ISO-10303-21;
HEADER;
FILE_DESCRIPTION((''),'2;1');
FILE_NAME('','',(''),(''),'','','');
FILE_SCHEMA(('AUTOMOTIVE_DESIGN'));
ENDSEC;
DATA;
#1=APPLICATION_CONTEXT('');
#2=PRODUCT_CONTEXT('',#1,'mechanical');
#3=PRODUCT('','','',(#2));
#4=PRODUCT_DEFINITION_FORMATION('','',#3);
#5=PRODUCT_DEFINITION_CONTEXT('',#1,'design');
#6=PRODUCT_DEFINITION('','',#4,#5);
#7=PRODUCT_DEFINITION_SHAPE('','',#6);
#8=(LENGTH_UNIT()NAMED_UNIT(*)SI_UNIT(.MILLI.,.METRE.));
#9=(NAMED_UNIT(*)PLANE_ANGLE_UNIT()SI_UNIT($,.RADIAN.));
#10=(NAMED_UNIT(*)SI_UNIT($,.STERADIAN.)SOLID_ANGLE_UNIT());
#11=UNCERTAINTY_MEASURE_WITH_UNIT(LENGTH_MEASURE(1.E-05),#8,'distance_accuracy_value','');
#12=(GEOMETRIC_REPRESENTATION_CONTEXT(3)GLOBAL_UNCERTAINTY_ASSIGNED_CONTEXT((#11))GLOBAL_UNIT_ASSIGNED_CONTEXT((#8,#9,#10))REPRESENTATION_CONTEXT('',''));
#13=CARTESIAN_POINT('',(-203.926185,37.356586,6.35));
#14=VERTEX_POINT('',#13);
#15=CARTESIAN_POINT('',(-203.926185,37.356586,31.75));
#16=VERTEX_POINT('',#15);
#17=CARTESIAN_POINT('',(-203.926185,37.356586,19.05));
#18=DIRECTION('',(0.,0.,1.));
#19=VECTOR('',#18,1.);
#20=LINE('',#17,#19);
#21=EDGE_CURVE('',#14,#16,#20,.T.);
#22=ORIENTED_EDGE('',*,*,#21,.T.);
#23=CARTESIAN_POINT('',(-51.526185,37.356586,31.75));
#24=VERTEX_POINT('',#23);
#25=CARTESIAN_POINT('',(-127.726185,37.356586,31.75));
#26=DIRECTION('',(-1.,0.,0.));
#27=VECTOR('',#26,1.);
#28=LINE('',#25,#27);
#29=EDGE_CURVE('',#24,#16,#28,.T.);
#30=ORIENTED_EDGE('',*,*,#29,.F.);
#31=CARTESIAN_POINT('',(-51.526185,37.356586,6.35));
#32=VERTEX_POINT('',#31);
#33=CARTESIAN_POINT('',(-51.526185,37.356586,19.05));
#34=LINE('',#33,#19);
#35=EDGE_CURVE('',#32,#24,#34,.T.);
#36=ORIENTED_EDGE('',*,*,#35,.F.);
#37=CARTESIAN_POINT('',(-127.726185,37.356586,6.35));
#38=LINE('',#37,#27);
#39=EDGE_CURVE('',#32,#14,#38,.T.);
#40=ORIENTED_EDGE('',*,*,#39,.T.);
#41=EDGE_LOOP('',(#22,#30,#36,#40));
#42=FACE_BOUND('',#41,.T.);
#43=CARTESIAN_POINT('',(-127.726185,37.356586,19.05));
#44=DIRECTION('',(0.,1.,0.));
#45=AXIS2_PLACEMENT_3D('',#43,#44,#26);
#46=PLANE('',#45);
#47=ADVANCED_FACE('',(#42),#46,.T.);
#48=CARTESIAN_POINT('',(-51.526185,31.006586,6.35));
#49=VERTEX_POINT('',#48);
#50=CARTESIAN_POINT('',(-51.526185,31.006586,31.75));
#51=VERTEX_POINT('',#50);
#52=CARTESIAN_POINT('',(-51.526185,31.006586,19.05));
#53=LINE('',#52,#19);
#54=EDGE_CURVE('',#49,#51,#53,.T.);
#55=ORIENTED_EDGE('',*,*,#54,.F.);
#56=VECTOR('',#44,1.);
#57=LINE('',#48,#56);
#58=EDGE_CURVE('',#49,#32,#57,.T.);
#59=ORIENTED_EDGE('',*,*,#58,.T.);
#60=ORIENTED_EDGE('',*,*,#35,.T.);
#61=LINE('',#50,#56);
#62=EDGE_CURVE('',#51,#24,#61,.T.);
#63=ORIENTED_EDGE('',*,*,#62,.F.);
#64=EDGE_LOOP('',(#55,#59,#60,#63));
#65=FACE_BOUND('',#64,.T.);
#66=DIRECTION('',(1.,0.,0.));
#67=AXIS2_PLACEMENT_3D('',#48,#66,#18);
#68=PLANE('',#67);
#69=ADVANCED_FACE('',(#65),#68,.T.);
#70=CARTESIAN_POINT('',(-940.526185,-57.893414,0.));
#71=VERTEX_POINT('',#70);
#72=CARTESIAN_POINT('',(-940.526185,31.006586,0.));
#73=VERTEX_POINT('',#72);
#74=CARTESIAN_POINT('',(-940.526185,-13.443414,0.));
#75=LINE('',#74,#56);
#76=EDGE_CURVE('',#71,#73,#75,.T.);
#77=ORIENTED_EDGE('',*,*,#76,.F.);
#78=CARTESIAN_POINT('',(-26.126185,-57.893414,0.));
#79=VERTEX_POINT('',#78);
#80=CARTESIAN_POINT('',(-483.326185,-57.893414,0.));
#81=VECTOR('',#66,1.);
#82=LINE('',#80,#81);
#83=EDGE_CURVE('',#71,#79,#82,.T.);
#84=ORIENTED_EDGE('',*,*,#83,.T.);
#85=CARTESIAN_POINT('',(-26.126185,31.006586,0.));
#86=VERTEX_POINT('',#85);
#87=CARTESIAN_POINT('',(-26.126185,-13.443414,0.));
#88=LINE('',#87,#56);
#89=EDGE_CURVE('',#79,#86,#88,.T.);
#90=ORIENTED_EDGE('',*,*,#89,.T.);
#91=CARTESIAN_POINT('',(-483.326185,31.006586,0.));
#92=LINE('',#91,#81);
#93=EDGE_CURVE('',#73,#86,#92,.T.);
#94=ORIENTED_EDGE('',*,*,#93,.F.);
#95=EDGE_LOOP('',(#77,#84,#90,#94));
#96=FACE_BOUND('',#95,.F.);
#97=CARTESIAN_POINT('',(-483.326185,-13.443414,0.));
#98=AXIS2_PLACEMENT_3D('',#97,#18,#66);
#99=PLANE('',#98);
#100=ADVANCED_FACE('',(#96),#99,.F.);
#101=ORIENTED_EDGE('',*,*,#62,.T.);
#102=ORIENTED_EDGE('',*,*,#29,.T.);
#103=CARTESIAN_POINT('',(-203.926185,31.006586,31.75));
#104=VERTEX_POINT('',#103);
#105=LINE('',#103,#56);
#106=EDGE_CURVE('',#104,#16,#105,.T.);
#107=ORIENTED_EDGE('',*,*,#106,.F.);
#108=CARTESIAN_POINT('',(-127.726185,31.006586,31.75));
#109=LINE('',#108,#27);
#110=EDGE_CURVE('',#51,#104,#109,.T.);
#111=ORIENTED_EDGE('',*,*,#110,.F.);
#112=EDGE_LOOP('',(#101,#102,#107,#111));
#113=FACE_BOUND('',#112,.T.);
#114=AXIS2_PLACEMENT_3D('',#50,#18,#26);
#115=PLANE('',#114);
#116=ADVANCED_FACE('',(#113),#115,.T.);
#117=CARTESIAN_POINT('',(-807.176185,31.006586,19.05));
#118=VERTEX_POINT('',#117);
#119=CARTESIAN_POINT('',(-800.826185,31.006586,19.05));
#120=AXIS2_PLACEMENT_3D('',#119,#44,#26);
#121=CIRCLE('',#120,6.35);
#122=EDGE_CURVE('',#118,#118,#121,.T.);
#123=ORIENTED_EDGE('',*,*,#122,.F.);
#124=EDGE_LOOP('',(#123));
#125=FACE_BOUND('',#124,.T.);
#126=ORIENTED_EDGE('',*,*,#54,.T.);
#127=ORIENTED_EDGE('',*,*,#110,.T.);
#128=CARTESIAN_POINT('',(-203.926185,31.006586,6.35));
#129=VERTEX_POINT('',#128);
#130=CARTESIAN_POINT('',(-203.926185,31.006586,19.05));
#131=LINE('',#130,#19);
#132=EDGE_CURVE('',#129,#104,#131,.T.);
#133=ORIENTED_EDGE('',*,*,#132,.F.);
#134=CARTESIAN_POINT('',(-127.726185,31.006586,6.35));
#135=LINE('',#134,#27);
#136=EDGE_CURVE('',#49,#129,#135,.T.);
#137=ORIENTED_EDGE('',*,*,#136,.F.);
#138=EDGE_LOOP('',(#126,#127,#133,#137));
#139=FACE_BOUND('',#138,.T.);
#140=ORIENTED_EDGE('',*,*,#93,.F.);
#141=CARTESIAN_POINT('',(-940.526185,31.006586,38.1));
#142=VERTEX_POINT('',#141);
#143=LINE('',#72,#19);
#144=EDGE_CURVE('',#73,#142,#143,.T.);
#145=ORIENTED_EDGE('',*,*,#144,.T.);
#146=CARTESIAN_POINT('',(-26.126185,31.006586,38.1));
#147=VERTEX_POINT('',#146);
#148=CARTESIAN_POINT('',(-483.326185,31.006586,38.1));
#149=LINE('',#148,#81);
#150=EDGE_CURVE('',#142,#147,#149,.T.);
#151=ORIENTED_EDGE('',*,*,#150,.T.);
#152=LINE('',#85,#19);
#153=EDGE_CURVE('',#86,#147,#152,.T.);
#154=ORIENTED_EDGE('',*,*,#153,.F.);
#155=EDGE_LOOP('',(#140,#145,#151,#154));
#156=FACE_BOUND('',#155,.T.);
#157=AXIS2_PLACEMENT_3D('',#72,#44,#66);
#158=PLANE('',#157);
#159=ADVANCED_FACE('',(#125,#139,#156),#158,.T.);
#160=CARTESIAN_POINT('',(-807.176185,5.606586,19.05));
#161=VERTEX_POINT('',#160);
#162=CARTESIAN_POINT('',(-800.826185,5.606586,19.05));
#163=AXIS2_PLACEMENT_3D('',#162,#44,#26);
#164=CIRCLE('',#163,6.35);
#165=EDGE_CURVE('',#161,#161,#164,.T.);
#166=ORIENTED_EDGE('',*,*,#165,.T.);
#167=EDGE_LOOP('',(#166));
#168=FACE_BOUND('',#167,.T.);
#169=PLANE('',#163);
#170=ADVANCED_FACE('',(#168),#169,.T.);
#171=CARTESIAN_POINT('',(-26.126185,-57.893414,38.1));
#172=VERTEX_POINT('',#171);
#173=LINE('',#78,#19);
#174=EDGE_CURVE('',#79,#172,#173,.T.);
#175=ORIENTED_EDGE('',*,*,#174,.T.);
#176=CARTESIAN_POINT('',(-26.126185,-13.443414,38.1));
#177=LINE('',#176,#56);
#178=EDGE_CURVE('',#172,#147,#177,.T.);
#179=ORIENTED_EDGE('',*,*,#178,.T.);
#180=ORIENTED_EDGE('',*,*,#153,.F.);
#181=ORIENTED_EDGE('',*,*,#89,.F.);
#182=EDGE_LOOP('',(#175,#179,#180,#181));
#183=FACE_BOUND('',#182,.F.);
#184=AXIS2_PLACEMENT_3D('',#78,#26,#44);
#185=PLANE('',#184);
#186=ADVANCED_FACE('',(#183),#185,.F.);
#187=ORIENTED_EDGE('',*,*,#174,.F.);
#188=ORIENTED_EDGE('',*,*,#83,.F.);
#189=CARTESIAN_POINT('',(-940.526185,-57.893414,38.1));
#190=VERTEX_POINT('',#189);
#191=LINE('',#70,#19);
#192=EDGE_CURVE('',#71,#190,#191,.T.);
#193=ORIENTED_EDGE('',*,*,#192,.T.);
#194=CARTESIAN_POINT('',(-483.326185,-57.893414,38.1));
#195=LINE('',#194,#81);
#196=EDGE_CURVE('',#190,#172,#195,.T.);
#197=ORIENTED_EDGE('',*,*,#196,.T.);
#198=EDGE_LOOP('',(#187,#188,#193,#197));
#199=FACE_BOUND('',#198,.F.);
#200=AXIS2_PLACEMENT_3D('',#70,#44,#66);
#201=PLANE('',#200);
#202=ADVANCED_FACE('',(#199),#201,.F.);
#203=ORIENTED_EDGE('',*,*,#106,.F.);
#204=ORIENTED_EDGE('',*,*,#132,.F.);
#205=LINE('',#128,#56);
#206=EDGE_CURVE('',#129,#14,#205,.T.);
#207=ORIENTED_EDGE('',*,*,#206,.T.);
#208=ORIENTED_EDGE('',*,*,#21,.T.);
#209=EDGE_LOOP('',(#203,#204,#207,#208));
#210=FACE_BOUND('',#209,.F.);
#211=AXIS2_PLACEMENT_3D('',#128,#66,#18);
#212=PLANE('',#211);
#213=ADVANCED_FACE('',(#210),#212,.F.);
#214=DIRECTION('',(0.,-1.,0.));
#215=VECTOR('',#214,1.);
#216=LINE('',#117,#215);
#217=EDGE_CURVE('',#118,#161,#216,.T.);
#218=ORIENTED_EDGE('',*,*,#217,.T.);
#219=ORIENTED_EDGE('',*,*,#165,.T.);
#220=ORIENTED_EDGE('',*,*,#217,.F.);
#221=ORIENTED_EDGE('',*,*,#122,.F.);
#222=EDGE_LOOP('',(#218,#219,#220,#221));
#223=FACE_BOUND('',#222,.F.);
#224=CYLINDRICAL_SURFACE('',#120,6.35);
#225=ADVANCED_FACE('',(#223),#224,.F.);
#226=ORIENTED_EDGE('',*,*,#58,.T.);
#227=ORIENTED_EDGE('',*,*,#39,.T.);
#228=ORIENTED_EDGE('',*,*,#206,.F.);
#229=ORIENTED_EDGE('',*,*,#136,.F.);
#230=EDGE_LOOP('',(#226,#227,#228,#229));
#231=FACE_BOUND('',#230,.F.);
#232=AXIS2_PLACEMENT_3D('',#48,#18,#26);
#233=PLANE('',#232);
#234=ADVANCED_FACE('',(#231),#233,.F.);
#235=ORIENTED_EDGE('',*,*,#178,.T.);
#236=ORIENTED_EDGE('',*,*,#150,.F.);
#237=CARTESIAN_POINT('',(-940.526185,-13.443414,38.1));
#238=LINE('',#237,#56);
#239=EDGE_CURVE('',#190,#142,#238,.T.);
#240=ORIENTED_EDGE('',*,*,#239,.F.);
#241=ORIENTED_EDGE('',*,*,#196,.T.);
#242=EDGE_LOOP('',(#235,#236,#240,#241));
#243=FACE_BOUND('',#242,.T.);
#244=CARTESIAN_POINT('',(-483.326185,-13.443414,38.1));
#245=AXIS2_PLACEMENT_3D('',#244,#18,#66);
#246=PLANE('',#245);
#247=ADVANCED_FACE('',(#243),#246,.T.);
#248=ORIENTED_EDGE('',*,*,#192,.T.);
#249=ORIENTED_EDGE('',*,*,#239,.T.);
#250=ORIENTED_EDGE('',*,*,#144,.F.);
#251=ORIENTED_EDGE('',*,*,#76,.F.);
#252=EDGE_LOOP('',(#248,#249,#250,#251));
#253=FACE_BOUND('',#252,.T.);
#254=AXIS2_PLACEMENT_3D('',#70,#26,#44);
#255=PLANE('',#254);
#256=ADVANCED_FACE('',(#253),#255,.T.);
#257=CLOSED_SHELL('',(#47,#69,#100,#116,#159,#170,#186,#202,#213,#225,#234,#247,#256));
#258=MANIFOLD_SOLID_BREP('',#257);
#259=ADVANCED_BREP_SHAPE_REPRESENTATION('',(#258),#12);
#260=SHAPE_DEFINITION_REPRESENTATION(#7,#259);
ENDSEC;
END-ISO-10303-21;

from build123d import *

# Parameters (mm, degrees)
F0_W     = 914.4
F0_H     = 88.9
F1_DEPTH = 38.1
F2_W     = 152.4
F2_H     = 25.4
F3_DEPTH = 6.35
F4_R     = 6.35
F5_DEPTH = 25.4


with BuildPart() as f1:
    # F0 (on Top) → F1 (new body)
    with BuildSketch(Plane.XY):
        with Locations((-483.326185, -13.443414)):
            Rectangle(F0_W, F0_H)
    extrude(amount=F1_DEPTH)

    # F2 (on face) → F3 (join)
    with BuildSketch(Plane(origin=(0, 31.006586, 0), x_dir=(-1, 0, 0), z_dir=(0, 1, 0))):
        with Locations((127.726185, 19.05)):
            Rectangle(F2_W, F2_H)
    extrude(amount=F3_DEPTH)

    # F4 (on face) → F5 (cut)
    with BuildSketch(Plane(origin=(0, 31.006586, 0), x_dir=(-1, 0, 0), z_dir=(0, 1, 0))):
        with Locations((800.826185, 19.05)):
            Circle(F4_R)
    extrude(amount=-F5_DEPTH, mode=Mode.SUBTRACT)


solid = f1.part
